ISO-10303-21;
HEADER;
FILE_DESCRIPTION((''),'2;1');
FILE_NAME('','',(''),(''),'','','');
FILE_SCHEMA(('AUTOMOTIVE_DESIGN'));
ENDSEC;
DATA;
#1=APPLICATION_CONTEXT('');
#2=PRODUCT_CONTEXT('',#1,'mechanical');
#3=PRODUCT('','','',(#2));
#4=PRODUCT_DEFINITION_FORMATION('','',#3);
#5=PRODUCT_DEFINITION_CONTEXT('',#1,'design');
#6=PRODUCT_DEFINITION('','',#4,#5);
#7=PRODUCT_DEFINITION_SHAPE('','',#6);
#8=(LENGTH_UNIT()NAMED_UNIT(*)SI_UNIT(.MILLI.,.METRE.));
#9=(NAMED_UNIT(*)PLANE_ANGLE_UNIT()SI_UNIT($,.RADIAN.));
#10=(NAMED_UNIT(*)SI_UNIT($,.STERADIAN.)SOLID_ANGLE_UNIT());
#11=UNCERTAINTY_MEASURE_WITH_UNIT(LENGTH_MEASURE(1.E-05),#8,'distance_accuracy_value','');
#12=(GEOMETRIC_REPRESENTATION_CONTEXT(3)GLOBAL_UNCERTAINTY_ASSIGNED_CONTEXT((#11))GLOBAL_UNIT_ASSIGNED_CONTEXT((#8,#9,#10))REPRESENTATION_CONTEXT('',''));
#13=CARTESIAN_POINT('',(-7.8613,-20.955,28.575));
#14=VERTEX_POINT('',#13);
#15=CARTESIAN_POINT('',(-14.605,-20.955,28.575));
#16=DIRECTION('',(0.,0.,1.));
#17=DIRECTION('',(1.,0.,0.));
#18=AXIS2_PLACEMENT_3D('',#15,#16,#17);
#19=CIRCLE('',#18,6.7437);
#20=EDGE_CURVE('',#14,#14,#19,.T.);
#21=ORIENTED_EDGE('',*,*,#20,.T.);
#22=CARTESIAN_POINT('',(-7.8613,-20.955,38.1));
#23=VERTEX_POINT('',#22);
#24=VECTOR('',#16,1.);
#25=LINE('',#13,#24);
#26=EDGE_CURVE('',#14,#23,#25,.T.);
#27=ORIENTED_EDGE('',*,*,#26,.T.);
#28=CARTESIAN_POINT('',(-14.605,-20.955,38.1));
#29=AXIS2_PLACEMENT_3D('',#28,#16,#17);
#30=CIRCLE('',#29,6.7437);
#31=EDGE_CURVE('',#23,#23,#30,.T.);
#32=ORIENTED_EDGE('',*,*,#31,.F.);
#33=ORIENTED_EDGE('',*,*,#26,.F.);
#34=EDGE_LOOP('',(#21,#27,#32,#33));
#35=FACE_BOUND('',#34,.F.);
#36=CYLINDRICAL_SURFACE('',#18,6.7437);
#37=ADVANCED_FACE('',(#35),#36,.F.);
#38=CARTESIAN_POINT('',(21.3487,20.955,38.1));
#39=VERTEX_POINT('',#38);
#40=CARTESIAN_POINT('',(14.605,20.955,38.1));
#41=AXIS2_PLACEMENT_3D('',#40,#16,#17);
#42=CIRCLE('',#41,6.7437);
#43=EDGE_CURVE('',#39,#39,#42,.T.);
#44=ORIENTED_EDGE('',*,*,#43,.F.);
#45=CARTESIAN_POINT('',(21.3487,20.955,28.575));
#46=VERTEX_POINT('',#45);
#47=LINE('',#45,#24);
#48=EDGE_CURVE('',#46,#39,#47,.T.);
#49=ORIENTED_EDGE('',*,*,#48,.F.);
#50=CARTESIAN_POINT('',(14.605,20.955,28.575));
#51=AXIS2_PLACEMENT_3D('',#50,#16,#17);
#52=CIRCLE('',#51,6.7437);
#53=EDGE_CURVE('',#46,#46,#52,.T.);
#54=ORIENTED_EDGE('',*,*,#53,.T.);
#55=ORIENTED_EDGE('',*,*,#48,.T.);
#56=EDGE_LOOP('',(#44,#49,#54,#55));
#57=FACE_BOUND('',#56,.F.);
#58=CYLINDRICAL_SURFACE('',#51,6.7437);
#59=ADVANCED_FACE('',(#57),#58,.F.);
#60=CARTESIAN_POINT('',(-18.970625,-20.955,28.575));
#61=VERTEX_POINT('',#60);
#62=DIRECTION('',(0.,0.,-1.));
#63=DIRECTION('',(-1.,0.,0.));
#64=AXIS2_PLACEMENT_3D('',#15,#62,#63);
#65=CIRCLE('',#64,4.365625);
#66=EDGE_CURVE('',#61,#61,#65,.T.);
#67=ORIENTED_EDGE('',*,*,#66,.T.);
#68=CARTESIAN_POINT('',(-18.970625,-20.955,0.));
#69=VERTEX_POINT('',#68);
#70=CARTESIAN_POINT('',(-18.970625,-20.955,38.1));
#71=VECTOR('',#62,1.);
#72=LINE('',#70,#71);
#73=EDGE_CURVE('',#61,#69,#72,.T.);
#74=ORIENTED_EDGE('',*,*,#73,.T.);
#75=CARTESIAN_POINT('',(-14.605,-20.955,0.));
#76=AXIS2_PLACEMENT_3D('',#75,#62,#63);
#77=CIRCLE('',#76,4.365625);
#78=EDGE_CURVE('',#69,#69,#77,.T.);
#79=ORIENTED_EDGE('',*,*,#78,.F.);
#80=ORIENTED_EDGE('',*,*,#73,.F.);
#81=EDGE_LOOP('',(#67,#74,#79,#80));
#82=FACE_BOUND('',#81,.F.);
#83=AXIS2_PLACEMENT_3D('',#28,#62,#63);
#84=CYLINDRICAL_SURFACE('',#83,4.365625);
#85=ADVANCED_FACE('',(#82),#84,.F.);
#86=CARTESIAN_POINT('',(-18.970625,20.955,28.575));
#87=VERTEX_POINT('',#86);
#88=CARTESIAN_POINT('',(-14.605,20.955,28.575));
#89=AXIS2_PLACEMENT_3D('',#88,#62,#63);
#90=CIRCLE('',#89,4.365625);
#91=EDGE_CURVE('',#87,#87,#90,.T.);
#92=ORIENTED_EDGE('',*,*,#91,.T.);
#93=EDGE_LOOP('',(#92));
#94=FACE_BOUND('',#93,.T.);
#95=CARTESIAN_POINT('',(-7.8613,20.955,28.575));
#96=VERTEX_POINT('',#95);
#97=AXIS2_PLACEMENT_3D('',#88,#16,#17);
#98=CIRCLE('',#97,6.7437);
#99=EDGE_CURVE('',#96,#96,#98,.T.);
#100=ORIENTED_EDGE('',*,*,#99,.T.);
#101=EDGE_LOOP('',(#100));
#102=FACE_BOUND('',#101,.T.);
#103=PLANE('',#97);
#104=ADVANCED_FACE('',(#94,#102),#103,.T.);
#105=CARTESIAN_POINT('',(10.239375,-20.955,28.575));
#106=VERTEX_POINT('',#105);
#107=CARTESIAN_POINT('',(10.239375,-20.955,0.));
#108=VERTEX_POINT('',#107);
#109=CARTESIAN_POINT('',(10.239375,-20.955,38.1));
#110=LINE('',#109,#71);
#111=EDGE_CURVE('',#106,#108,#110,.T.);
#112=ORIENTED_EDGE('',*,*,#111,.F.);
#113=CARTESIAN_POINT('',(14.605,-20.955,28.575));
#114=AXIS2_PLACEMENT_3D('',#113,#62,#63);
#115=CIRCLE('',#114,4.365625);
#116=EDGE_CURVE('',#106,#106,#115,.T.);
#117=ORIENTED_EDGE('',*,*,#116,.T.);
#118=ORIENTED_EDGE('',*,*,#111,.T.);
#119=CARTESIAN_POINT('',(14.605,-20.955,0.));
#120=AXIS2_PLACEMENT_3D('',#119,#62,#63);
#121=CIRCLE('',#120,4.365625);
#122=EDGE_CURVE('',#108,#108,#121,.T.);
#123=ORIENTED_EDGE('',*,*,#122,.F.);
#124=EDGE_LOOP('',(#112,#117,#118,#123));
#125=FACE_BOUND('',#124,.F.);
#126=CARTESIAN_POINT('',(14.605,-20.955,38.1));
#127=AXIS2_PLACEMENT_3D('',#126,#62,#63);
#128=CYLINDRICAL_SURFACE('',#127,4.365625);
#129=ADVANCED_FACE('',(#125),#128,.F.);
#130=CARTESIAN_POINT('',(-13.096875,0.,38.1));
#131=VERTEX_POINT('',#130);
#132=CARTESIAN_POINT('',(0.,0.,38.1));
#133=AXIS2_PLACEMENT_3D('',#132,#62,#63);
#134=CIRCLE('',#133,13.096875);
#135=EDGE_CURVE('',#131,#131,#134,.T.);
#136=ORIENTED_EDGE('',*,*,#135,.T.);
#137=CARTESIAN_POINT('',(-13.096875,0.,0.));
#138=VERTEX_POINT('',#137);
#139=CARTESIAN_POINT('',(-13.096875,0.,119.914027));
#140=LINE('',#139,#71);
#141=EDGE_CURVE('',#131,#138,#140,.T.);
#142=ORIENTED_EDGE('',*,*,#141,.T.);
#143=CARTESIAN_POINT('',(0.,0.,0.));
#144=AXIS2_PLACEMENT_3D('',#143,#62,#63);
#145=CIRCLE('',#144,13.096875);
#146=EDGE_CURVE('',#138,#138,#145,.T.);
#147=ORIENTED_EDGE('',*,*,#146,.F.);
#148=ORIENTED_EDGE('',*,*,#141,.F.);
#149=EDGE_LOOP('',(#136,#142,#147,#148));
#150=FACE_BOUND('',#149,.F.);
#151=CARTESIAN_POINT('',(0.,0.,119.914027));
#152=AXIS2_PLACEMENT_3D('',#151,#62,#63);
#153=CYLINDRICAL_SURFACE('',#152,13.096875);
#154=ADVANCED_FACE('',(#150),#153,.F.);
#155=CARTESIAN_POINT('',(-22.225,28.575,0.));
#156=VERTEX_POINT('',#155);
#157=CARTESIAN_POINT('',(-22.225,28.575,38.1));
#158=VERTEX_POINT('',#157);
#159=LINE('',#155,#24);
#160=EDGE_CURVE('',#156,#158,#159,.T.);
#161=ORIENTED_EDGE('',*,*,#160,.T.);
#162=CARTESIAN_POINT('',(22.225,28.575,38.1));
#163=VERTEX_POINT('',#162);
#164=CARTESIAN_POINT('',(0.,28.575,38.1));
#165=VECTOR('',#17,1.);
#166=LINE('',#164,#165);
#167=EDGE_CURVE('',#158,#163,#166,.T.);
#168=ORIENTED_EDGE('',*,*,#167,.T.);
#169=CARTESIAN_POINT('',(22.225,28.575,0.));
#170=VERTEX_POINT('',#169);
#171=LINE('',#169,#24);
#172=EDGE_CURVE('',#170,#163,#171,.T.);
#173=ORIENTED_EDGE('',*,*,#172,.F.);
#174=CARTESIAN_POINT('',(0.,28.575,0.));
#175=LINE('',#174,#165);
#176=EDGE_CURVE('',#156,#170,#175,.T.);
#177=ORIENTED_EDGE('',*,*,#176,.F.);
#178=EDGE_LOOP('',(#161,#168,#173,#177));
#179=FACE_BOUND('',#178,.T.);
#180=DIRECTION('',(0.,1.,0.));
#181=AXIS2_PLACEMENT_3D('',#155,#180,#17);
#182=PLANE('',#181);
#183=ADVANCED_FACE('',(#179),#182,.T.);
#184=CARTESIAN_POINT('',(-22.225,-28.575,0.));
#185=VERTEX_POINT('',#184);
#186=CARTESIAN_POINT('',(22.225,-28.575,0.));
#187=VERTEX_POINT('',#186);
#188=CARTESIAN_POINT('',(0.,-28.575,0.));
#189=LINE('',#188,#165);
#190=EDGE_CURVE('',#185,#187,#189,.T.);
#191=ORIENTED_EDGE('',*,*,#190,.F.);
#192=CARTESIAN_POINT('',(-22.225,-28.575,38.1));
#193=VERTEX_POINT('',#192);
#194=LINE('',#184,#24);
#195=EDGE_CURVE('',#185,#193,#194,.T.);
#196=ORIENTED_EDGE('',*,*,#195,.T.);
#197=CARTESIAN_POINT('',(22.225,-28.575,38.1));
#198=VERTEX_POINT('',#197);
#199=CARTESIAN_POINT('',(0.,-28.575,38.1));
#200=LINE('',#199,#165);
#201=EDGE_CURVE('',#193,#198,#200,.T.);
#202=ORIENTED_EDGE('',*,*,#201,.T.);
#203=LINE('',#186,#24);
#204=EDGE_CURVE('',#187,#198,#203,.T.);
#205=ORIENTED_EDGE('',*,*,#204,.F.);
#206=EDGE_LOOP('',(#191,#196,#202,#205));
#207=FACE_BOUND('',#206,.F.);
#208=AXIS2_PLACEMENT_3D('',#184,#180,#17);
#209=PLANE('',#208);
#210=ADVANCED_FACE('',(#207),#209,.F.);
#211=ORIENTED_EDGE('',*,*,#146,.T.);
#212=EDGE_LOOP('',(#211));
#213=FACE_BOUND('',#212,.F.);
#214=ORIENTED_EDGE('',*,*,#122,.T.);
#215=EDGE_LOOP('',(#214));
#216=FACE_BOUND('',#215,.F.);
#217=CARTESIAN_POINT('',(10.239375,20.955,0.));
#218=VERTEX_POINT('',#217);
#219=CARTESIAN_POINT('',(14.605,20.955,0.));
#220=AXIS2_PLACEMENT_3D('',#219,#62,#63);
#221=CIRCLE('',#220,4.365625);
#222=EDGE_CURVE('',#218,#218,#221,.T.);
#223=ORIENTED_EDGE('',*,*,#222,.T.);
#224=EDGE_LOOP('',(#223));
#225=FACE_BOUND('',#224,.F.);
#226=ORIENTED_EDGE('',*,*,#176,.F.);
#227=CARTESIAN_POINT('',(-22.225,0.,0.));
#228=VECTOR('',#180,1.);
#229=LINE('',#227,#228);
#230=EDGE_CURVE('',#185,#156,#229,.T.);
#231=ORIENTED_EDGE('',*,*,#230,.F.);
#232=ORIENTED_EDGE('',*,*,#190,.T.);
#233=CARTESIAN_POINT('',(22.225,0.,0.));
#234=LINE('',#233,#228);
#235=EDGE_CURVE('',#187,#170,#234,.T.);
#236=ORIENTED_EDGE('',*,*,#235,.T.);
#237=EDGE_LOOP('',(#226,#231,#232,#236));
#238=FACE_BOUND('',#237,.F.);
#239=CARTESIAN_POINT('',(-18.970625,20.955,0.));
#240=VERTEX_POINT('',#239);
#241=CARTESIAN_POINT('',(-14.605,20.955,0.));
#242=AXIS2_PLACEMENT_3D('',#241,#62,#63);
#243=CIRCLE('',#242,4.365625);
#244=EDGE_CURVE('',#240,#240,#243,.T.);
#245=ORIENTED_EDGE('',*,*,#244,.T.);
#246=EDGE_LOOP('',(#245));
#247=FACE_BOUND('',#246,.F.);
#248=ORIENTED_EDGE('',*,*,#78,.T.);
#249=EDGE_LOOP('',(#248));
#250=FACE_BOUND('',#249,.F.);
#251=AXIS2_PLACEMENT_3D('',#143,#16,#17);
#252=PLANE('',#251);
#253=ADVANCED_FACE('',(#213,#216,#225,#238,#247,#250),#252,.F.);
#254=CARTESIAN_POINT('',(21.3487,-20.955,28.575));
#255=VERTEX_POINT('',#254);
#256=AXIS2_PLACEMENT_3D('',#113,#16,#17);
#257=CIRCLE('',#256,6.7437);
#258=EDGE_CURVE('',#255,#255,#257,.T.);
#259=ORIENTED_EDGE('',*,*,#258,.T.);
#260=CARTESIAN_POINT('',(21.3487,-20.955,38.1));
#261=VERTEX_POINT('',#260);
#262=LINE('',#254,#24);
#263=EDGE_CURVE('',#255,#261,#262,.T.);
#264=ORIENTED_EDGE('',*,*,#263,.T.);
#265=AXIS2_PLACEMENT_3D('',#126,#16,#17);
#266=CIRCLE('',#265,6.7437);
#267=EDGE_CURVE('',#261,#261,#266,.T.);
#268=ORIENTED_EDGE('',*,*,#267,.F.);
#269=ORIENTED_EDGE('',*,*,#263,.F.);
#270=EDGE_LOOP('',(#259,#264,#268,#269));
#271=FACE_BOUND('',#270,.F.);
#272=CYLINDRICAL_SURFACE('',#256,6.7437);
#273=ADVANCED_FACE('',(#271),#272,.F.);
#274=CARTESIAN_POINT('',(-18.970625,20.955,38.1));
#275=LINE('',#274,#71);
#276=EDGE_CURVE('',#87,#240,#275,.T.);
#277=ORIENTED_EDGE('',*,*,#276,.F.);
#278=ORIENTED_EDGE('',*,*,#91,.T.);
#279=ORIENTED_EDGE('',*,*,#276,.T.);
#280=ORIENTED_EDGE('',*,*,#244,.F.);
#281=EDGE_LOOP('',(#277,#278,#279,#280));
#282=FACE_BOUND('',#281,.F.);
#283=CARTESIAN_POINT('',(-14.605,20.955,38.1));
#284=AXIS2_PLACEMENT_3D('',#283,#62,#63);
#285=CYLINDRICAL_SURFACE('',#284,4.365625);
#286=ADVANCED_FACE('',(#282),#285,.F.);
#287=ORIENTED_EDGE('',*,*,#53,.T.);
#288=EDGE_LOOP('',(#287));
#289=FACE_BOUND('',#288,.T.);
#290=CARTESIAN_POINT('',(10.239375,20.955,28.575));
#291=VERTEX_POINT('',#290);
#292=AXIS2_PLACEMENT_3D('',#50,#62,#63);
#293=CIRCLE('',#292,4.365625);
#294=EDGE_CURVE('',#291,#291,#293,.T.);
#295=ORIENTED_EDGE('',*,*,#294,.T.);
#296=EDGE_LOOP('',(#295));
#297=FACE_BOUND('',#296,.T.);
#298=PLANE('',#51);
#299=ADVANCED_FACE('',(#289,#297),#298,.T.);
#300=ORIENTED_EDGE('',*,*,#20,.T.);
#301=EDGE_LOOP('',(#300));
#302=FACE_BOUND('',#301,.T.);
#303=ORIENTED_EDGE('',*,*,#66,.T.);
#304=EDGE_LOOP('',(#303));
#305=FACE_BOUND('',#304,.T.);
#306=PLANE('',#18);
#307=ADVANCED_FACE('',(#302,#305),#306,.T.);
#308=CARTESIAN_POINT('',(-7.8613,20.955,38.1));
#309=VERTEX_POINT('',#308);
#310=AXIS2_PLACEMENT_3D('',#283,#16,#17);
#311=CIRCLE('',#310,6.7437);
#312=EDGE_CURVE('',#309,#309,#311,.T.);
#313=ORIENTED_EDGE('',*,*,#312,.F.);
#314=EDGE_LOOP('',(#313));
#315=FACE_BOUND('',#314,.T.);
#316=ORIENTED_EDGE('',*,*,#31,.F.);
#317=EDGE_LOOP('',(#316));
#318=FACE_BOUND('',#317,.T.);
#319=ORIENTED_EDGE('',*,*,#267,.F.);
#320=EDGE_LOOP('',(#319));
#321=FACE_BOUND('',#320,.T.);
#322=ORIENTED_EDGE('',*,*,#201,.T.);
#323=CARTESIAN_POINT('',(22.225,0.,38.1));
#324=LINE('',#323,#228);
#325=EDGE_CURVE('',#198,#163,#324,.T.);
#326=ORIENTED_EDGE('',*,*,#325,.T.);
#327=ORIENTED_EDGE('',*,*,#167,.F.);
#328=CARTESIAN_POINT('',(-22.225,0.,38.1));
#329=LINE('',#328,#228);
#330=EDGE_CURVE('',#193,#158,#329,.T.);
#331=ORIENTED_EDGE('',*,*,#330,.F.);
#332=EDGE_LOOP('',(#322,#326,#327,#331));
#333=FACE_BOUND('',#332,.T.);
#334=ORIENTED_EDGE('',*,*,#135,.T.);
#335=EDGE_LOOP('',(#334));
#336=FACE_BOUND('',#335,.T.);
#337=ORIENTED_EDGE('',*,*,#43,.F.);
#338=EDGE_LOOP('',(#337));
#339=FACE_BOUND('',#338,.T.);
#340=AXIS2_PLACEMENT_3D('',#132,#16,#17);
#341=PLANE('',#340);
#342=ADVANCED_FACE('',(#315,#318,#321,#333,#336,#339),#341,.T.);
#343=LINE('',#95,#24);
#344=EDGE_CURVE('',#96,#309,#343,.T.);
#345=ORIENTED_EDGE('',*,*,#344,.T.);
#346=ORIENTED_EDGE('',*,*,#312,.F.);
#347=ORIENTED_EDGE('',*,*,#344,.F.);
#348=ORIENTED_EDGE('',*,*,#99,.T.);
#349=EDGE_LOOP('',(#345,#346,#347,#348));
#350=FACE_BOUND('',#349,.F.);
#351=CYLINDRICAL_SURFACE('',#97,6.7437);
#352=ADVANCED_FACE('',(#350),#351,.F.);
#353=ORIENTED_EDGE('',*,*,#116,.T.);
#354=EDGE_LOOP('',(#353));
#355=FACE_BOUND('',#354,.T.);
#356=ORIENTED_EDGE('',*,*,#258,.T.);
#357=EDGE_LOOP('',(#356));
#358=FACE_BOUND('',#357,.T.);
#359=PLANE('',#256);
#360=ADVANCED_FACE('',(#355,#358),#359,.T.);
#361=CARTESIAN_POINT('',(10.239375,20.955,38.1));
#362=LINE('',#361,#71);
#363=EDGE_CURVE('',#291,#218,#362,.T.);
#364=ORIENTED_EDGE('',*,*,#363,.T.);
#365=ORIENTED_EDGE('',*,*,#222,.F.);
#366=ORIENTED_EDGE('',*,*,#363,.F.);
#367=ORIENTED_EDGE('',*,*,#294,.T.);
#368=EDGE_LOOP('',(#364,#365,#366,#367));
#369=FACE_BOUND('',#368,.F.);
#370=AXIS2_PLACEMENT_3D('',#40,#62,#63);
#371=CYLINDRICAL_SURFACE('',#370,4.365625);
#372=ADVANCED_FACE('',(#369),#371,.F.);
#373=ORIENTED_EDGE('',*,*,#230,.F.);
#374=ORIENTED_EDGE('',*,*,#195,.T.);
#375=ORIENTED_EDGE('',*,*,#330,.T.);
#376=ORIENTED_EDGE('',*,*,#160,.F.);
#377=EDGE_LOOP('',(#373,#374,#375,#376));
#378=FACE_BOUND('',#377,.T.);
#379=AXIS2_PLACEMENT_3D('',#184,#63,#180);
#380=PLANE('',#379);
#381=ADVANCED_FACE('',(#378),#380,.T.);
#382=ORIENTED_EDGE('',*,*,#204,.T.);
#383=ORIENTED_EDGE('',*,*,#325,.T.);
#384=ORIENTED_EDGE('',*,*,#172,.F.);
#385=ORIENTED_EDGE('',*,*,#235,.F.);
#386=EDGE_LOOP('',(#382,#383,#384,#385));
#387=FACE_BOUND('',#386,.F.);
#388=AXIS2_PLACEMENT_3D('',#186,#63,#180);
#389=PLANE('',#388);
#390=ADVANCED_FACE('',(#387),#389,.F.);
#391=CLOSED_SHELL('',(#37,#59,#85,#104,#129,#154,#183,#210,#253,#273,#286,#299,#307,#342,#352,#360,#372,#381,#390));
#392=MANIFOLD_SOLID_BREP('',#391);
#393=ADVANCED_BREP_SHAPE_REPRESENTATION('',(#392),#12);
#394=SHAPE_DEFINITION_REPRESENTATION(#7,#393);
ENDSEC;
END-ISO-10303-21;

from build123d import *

# Parameters (mm, degrees)
F0_W           = 44.45
F0_H           = 57.15
F1_DEPTH       = 38.1
F4_D           = 26.19375
F6_D           = 8.73125
F6_CBORE_D     = 13.4874
F6_CBORE_DEPTH = 9.525


with BuildPart() as f1:
    # F0 (on Top) → F1 (new body)
    with BuildSketch(Plane.XY):
        Rectangle(F0_W, F0_H)
    extrude(amount=F1_DEPTH)

    # F4 (through all)
    with Locations(Plane.XY.offset(38.1)):
        with Locations((0, 0)):
            Hole(F4_D / 2)

    # F6 (through all)
    with Locations(Plane.XY.offset(38.1)):
        with Locations((-14.605, 20.955), (14.605, 20.955), (14.605, -20.955), (-14.605, -20.955)):
            CounterBoreHole(F6_D / 2, F6_CBORE_D / 2, F6_CBORE_DEPTH)


solid = f1.part
